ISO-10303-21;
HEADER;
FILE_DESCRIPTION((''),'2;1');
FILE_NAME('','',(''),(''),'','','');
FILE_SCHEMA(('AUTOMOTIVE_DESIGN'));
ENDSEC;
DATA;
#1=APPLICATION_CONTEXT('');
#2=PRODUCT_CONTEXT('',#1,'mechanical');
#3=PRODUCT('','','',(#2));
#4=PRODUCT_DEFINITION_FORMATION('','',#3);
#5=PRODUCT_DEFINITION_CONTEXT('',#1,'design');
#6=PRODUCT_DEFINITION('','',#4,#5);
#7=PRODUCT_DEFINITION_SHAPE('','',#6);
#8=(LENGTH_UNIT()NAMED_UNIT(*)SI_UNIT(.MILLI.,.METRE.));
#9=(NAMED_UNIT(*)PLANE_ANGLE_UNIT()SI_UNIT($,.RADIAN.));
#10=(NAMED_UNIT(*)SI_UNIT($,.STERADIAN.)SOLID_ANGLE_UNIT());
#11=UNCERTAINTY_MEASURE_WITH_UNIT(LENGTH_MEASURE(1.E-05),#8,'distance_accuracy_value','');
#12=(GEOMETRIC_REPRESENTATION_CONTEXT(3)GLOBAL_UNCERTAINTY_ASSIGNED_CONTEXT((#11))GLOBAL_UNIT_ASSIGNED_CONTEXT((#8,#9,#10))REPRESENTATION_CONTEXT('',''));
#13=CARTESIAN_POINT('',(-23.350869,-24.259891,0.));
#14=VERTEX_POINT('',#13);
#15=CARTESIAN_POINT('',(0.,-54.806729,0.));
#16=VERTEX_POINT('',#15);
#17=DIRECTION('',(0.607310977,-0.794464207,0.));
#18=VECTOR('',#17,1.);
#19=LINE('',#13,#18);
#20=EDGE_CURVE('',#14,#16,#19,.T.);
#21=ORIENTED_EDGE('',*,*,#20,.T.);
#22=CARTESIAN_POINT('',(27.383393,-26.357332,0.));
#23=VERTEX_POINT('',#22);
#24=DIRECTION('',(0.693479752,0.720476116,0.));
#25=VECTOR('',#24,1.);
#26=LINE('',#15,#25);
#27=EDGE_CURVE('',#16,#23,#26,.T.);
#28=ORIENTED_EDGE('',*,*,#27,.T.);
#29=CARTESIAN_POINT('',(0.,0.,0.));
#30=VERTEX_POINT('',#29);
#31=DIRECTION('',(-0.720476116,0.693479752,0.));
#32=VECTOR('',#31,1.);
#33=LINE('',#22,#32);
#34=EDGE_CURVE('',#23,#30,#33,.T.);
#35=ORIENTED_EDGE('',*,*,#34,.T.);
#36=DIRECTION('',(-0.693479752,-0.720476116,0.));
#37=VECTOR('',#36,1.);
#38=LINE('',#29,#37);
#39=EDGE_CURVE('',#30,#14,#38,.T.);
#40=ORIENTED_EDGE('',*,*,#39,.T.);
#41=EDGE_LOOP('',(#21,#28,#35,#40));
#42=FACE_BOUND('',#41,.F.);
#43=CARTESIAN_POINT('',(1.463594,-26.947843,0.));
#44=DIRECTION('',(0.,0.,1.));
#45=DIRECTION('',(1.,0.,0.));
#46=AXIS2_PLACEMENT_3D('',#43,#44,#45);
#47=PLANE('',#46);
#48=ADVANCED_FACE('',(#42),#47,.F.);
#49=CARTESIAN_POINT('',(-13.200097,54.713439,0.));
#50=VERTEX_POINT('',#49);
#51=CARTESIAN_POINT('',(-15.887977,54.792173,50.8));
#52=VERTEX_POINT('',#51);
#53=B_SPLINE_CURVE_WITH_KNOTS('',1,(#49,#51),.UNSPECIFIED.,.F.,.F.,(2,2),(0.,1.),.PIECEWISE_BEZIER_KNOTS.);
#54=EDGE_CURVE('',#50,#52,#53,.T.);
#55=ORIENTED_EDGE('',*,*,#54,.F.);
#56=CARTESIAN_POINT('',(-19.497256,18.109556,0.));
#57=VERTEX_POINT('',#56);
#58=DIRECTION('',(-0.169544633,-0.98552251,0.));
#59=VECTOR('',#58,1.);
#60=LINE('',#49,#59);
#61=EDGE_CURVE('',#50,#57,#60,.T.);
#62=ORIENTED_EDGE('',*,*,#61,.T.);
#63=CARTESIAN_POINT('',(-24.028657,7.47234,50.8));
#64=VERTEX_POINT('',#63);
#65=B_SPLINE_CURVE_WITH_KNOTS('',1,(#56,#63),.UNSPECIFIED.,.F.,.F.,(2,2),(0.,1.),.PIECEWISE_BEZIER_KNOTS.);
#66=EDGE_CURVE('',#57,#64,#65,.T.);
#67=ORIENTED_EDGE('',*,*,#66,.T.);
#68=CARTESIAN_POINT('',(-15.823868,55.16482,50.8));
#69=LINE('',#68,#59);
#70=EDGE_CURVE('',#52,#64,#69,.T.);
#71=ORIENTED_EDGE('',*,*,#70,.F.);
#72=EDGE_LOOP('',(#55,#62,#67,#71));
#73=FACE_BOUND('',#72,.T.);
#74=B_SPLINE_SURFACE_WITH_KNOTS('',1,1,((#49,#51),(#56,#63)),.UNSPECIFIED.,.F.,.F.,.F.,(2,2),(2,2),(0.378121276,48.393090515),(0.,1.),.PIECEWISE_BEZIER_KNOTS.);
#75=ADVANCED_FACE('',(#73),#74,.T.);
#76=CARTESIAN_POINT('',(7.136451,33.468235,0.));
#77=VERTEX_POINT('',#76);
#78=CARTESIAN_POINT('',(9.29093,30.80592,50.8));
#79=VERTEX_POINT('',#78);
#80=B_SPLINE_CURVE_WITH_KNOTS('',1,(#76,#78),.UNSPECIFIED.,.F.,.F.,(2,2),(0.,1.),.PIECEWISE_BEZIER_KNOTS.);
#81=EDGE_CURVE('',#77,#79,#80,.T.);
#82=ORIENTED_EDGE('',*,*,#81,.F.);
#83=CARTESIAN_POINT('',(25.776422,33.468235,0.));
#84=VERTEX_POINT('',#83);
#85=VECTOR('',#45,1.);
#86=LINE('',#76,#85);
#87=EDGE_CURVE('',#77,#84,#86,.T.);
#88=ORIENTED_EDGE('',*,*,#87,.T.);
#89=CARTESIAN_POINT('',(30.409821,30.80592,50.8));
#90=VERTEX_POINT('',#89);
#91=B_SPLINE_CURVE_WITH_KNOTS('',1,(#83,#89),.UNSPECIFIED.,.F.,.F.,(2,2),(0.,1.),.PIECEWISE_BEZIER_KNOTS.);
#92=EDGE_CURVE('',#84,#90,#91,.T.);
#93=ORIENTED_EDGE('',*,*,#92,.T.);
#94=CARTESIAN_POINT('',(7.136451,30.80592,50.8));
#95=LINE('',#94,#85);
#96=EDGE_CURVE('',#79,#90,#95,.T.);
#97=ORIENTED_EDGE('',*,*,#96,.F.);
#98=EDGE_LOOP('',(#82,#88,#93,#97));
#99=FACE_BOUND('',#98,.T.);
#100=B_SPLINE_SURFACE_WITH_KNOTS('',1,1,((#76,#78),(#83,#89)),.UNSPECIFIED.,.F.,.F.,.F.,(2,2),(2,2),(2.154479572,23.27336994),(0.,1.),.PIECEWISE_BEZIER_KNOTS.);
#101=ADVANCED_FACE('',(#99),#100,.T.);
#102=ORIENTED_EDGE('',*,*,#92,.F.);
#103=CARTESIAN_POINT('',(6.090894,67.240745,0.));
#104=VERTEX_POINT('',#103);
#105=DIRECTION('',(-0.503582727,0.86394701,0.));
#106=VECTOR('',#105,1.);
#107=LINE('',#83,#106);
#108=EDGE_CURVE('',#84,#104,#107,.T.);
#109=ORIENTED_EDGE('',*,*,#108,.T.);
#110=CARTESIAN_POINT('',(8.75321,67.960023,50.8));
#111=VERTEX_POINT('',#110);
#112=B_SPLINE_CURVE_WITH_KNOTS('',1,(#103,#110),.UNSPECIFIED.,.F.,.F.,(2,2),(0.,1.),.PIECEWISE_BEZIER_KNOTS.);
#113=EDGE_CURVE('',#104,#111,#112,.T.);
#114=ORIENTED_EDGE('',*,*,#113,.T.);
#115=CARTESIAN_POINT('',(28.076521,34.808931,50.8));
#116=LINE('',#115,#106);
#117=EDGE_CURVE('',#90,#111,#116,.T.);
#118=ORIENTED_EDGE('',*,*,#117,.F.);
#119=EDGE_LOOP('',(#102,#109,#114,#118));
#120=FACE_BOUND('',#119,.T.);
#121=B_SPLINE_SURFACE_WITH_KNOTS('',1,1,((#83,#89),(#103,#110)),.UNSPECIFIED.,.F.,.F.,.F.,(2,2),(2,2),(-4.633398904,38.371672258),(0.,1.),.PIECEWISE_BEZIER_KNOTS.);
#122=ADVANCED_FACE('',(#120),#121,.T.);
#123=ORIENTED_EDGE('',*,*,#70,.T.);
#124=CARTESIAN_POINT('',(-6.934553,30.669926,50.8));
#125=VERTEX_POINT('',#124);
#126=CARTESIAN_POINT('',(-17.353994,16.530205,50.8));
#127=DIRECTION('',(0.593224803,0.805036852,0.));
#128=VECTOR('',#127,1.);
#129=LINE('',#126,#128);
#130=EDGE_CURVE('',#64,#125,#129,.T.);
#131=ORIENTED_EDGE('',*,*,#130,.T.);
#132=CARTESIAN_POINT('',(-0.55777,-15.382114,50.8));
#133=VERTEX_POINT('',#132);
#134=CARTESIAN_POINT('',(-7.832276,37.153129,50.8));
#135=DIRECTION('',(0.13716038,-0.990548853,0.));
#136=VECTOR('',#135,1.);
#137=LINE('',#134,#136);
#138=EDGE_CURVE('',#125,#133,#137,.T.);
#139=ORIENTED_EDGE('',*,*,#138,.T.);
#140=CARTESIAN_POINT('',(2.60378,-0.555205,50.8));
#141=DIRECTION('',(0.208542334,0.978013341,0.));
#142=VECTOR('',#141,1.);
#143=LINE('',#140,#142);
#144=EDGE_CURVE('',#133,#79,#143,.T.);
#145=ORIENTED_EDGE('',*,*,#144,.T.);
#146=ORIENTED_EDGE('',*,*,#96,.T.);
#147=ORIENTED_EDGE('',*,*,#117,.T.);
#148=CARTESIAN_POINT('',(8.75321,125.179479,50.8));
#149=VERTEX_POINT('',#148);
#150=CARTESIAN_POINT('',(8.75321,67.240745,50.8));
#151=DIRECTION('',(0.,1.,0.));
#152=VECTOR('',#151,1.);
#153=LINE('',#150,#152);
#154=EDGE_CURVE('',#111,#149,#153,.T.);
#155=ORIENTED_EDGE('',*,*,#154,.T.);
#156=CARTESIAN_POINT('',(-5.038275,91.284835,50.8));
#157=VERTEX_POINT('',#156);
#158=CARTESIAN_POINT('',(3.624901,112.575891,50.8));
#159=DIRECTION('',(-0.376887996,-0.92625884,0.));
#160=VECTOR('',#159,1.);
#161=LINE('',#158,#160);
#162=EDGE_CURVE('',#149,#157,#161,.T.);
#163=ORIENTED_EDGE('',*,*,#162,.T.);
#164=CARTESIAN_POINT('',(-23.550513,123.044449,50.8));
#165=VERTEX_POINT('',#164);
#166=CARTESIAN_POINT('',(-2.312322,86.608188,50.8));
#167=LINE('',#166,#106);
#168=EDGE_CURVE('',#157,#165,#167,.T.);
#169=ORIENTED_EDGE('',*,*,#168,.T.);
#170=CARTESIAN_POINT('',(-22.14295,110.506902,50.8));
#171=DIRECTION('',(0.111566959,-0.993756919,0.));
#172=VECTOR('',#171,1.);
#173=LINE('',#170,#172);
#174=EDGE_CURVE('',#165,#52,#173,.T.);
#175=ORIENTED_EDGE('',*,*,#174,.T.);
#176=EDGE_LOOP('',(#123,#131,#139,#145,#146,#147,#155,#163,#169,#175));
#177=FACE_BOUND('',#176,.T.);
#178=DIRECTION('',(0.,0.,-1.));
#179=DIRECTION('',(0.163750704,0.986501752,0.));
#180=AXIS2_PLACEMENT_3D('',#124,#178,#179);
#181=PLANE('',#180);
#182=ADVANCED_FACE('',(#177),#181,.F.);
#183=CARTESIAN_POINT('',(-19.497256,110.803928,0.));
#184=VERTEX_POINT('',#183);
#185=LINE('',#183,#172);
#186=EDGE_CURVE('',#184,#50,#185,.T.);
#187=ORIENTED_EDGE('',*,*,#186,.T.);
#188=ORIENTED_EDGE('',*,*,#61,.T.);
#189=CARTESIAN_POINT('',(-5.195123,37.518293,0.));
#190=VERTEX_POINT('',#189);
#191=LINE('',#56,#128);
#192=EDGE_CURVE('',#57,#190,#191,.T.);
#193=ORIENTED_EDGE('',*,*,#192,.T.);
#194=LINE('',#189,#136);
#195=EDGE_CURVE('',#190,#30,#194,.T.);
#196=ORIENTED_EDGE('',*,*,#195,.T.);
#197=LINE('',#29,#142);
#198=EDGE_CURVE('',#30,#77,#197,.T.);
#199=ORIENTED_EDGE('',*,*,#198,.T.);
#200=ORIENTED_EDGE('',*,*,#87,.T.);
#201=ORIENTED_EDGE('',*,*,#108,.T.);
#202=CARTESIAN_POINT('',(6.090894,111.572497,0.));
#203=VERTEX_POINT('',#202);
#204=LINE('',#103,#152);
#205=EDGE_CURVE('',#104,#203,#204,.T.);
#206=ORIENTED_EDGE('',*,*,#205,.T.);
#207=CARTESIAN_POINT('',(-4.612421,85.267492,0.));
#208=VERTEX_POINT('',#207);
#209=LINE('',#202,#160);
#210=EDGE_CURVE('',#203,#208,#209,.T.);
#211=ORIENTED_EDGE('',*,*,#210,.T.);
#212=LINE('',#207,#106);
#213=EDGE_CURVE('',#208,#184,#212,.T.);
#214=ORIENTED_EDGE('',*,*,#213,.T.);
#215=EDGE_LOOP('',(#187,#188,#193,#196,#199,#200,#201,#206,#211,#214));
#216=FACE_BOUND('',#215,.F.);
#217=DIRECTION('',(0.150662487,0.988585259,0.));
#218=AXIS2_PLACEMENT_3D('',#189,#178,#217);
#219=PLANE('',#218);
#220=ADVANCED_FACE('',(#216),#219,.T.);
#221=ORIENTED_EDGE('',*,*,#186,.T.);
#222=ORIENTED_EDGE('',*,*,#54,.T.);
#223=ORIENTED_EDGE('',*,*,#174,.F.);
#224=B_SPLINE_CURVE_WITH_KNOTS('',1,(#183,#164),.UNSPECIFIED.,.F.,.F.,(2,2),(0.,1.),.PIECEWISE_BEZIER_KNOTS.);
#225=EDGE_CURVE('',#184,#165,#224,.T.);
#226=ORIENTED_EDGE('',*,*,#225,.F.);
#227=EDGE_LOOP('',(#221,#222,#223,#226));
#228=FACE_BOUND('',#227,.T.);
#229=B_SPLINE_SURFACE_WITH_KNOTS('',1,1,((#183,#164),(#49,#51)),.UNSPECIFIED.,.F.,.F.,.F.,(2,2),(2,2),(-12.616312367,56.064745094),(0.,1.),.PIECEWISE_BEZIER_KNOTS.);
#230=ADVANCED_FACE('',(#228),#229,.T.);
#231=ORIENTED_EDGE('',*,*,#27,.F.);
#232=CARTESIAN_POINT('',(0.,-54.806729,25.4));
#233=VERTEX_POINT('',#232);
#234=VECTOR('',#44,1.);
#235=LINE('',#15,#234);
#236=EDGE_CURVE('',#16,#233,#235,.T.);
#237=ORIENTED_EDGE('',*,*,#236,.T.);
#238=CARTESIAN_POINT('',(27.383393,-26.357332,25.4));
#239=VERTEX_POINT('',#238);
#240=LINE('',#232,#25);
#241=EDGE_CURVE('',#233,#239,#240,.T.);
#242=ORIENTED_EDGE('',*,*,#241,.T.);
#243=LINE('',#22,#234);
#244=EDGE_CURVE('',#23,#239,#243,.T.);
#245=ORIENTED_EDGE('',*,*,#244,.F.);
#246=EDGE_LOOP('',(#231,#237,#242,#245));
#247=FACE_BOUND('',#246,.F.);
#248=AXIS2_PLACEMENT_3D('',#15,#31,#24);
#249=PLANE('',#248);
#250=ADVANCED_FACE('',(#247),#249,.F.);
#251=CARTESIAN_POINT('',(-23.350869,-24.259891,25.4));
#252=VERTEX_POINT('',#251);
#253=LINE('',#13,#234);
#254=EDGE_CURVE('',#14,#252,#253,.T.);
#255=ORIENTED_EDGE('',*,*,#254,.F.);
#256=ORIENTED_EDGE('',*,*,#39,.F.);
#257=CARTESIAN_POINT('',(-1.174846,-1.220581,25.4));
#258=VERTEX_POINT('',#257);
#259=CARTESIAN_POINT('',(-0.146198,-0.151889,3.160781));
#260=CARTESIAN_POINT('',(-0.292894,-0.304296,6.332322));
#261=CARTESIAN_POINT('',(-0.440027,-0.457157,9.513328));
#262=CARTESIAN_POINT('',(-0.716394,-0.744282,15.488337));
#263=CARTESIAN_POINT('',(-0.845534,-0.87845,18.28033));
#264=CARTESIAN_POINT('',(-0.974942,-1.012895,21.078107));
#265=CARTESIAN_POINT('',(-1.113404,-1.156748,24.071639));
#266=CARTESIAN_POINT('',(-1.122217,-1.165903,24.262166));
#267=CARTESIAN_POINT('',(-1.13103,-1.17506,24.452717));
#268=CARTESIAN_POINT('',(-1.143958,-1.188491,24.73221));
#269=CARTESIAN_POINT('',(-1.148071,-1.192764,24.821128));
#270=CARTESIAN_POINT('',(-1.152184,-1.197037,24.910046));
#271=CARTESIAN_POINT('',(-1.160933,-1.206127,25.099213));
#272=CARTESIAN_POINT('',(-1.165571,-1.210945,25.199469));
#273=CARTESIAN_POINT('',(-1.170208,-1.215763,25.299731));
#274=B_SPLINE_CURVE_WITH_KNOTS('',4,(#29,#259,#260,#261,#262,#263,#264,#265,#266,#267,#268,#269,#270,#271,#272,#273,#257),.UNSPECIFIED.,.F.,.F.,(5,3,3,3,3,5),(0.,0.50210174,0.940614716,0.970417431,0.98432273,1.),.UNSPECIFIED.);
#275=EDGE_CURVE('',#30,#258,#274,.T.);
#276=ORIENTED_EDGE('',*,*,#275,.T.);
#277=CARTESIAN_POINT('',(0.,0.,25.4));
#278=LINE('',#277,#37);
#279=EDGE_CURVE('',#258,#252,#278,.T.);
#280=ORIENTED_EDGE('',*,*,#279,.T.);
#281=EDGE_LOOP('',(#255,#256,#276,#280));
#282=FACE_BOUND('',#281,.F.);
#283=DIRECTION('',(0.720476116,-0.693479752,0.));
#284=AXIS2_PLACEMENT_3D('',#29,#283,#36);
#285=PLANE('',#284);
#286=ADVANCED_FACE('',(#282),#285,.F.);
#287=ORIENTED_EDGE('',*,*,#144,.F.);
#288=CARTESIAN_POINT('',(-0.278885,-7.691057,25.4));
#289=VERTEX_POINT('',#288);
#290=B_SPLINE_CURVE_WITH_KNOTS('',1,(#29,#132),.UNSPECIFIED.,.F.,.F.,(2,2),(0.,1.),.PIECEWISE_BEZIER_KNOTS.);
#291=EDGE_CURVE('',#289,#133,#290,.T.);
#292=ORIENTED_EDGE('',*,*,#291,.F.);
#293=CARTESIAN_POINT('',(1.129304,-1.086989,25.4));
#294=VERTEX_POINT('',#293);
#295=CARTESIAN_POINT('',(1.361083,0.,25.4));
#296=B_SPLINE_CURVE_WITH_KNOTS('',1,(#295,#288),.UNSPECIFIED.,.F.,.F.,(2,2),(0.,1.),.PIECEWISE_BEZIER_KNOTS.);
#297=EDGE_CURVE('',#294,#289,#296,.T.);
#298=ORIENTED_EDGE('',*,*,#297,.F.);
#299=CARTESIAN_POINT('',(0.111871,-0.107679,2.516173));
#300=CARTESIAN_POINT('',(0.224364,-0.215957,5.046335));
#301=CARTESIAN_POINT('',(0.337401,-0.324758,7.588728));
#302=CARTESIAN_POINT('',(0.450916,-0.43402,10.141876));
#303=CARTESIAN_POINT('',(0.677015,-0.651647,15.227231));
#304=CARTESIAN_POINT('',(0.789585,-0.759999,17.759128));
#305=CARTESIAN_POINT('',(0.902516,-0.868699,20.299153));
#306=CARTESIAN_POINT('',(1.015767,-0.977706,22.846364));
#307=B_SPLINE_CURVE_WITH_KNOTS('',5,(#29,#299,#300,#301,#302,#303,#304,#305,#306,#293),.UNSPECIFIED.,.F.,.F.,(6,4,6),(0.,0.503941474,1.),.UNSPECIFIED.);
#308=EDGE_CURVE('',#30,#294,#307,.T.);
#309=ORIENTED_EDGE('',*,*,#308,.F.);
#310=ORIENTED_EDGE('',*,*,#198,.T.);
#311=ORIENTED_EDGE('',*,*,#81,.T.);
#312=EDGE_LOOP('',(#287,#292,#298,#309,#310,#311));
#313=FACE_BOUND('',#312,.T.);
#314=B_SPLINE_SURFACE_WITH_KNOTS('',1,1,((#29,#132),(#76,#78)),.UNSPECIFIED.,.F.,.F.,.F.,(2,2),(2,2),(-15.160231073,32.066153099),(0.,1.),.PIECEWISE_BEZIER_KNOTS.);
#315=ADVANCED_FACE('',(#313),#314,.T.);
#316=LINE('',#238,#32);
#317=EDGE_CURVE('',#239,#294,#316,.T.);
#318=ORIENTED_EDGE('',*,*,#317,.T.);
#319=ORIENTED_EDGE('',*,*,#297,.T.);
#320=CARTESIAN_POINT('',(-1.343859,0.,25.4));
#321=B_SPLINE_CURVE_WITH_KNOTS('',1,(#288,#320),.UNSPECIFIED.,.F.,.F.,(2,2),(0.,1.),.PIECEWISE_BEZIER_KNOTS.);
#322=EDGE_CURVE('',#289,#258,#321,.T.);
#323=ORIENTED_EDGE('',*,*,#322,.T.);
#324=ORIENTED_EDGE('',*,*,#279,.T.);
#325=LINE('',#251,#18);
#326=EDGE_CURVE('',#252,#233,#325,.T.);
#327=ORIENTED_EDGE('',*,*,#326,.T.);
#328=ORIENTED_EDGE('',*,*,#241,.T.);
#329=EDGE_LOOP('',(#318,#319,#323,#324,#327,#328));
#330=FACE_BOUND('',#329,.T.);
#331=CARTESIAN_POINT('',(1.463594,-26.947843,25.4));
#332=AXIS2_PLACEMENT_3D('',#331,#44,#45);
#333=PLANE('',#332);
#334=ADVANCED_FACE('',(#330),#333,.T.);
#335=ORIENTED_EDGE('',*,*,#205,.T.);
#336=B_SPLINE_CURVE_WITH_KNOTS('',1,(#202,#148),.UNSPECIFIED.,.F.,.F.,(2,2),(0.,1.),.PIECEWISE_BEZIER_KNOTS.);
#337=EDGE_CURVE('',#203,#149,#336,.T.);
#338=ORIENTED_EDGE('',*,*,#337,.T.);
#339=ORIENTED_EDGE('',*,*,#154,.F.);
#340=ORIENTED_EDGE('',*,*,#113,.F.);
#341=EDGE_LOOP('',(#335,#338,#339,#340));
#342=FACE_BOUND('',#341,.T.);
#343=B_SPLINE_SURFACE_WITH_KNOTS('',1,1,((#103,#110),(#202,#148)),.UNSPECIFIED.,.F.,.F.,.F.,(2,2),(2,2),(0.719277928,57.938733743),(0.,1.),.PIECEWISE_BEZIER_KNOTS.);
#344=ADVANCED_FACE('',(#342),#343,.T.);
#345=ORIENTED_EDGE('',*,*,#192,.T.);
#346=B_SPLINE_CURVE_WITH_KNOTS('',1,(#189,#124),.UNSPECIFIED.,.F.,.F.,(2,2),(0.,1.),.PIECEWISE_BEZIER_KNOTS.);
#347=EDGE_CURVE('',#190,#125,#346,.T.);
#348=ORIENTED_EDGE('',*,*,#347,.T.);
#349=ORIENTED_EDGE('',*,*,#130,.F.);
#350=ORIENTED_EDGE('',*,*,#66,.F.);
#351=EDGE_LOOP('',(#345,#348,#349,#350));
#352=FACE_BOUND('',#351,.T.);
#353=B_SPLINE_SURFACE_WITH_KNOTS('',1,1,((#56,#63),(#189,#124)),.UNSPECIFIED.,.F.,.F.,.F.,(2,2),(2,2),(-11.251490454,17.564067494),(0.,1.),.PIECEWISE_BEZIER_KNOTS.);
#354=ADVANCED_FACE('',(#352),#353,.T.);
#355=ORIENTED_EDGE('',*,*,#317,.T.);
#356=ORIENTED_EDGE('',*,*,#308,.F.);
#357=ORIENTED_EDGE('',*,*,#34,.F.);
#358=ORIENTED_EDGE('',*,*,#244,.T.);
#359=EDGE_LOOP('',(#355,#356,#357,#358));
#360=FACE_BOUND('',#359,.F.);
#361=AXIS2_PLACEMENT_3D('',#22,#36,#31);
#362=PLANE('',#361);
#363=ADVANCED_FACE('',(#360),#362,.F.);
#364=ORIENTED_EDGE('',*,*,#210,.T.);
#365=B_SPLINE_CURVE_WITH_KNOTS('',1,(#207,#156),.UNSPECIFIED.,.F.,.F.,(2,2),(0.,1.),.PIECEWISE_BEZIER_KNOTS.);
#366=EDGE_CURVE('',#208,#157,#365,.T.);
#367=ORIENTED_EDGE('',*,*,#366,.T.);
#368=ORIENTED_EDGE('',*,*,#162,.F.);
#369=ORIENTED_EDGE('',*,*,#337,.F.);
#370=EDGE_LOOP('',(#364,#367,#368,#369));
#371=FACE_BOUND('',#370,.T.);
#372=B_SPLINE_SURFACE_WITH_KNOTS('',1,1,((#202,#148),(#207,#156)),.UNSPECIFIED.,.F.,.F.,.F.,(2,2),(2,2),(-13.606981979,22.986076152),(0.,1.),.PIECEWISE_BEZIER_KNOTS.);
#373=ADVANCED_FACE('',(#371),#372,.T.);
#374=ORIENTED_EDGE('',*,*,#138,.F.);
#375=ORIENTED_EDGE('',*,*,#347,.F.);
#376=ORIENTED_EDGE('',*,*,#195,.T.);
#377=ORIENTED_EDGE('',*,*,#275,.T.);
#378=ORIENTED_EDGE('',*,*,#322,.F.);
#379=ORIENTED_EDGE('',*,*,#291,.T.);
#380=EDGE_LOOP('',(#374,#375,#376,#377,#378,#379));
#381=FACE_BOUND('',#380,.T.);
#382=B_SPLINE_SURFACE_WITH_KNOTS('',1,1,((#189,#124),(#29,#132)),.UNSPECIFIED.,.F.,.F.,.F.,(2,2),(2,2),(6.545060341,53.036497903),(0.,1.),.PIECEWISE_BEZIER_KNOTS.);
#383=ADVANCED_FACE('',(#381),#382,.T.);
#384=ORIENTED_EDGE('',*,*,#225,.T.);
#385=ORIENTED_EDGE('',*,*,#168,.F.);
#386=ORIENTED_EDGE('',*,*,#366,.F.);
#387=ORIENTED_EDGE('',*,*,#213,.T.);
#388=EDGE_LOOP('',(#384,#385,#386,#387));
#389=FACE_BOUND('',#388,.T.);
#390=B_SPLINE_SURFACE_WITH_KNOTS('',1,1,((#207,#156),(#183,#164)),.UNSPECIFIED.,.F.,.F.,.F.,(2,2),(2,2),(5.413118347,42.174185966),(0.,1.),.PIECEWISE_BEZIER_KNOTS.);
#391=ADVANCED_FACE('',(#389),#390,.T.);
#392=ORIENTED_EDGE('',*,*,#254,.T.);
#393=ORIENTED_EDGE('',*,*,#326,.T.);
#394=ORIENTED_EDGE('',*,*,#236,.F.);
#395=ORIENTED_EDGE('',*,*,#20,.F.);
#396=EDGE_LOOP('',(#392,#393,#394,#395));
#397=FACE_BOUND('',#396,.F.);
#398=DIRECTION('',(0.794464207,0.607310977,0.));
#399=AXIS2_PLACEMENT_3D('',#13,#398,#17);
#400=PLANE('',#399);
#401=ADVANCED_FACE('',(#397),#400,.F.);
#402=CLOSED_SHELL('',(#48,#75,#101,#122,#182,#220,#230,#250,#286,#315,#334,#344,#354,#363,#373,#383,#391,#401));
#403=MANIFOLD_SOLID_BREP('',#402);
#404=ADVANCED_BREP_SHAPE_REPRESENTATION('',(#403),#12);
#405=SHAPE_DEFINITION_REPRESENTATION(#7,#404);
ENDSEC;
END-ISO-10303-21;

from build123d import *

# Parameters (mm, degrees)
F1_DEPTH = 50.8
F1_TAPER = -3
F3_DEPTH = 25.4


with BuildPart() as f1:
    # F0 (on Top) → F1 (new body)
    with BuildSketch(Plane.XY):
        Polygon((-5.1951231435, 37.5182926655), (0, 0), (7.1364506148, 33.4682352841), (25.7764216512, 33.4682352841), (6.0908943415, 67.2407448292), (6.0908943415, 111.572496593), (-4.6124211513, 85.2674916387), (-19.497255753, 110.8039281665), (-13.200096786, 54.7134391963), (-19.497255753, 18.1095562875), align=None)
    extrude(amount=F1_DEPTH, taper=F1_TAPER)

    # F2 (on Top) → F3 (join)
    with BuildSketch(Plane.XY):
        Polygon((27.3833926767, -26.3573322445), (0, 0), (-23.3508690358, -24.2598913356), (0, -54.8067286982), align=None)
    extrude(amount=F3_DEPTH)


solid = f1.part
